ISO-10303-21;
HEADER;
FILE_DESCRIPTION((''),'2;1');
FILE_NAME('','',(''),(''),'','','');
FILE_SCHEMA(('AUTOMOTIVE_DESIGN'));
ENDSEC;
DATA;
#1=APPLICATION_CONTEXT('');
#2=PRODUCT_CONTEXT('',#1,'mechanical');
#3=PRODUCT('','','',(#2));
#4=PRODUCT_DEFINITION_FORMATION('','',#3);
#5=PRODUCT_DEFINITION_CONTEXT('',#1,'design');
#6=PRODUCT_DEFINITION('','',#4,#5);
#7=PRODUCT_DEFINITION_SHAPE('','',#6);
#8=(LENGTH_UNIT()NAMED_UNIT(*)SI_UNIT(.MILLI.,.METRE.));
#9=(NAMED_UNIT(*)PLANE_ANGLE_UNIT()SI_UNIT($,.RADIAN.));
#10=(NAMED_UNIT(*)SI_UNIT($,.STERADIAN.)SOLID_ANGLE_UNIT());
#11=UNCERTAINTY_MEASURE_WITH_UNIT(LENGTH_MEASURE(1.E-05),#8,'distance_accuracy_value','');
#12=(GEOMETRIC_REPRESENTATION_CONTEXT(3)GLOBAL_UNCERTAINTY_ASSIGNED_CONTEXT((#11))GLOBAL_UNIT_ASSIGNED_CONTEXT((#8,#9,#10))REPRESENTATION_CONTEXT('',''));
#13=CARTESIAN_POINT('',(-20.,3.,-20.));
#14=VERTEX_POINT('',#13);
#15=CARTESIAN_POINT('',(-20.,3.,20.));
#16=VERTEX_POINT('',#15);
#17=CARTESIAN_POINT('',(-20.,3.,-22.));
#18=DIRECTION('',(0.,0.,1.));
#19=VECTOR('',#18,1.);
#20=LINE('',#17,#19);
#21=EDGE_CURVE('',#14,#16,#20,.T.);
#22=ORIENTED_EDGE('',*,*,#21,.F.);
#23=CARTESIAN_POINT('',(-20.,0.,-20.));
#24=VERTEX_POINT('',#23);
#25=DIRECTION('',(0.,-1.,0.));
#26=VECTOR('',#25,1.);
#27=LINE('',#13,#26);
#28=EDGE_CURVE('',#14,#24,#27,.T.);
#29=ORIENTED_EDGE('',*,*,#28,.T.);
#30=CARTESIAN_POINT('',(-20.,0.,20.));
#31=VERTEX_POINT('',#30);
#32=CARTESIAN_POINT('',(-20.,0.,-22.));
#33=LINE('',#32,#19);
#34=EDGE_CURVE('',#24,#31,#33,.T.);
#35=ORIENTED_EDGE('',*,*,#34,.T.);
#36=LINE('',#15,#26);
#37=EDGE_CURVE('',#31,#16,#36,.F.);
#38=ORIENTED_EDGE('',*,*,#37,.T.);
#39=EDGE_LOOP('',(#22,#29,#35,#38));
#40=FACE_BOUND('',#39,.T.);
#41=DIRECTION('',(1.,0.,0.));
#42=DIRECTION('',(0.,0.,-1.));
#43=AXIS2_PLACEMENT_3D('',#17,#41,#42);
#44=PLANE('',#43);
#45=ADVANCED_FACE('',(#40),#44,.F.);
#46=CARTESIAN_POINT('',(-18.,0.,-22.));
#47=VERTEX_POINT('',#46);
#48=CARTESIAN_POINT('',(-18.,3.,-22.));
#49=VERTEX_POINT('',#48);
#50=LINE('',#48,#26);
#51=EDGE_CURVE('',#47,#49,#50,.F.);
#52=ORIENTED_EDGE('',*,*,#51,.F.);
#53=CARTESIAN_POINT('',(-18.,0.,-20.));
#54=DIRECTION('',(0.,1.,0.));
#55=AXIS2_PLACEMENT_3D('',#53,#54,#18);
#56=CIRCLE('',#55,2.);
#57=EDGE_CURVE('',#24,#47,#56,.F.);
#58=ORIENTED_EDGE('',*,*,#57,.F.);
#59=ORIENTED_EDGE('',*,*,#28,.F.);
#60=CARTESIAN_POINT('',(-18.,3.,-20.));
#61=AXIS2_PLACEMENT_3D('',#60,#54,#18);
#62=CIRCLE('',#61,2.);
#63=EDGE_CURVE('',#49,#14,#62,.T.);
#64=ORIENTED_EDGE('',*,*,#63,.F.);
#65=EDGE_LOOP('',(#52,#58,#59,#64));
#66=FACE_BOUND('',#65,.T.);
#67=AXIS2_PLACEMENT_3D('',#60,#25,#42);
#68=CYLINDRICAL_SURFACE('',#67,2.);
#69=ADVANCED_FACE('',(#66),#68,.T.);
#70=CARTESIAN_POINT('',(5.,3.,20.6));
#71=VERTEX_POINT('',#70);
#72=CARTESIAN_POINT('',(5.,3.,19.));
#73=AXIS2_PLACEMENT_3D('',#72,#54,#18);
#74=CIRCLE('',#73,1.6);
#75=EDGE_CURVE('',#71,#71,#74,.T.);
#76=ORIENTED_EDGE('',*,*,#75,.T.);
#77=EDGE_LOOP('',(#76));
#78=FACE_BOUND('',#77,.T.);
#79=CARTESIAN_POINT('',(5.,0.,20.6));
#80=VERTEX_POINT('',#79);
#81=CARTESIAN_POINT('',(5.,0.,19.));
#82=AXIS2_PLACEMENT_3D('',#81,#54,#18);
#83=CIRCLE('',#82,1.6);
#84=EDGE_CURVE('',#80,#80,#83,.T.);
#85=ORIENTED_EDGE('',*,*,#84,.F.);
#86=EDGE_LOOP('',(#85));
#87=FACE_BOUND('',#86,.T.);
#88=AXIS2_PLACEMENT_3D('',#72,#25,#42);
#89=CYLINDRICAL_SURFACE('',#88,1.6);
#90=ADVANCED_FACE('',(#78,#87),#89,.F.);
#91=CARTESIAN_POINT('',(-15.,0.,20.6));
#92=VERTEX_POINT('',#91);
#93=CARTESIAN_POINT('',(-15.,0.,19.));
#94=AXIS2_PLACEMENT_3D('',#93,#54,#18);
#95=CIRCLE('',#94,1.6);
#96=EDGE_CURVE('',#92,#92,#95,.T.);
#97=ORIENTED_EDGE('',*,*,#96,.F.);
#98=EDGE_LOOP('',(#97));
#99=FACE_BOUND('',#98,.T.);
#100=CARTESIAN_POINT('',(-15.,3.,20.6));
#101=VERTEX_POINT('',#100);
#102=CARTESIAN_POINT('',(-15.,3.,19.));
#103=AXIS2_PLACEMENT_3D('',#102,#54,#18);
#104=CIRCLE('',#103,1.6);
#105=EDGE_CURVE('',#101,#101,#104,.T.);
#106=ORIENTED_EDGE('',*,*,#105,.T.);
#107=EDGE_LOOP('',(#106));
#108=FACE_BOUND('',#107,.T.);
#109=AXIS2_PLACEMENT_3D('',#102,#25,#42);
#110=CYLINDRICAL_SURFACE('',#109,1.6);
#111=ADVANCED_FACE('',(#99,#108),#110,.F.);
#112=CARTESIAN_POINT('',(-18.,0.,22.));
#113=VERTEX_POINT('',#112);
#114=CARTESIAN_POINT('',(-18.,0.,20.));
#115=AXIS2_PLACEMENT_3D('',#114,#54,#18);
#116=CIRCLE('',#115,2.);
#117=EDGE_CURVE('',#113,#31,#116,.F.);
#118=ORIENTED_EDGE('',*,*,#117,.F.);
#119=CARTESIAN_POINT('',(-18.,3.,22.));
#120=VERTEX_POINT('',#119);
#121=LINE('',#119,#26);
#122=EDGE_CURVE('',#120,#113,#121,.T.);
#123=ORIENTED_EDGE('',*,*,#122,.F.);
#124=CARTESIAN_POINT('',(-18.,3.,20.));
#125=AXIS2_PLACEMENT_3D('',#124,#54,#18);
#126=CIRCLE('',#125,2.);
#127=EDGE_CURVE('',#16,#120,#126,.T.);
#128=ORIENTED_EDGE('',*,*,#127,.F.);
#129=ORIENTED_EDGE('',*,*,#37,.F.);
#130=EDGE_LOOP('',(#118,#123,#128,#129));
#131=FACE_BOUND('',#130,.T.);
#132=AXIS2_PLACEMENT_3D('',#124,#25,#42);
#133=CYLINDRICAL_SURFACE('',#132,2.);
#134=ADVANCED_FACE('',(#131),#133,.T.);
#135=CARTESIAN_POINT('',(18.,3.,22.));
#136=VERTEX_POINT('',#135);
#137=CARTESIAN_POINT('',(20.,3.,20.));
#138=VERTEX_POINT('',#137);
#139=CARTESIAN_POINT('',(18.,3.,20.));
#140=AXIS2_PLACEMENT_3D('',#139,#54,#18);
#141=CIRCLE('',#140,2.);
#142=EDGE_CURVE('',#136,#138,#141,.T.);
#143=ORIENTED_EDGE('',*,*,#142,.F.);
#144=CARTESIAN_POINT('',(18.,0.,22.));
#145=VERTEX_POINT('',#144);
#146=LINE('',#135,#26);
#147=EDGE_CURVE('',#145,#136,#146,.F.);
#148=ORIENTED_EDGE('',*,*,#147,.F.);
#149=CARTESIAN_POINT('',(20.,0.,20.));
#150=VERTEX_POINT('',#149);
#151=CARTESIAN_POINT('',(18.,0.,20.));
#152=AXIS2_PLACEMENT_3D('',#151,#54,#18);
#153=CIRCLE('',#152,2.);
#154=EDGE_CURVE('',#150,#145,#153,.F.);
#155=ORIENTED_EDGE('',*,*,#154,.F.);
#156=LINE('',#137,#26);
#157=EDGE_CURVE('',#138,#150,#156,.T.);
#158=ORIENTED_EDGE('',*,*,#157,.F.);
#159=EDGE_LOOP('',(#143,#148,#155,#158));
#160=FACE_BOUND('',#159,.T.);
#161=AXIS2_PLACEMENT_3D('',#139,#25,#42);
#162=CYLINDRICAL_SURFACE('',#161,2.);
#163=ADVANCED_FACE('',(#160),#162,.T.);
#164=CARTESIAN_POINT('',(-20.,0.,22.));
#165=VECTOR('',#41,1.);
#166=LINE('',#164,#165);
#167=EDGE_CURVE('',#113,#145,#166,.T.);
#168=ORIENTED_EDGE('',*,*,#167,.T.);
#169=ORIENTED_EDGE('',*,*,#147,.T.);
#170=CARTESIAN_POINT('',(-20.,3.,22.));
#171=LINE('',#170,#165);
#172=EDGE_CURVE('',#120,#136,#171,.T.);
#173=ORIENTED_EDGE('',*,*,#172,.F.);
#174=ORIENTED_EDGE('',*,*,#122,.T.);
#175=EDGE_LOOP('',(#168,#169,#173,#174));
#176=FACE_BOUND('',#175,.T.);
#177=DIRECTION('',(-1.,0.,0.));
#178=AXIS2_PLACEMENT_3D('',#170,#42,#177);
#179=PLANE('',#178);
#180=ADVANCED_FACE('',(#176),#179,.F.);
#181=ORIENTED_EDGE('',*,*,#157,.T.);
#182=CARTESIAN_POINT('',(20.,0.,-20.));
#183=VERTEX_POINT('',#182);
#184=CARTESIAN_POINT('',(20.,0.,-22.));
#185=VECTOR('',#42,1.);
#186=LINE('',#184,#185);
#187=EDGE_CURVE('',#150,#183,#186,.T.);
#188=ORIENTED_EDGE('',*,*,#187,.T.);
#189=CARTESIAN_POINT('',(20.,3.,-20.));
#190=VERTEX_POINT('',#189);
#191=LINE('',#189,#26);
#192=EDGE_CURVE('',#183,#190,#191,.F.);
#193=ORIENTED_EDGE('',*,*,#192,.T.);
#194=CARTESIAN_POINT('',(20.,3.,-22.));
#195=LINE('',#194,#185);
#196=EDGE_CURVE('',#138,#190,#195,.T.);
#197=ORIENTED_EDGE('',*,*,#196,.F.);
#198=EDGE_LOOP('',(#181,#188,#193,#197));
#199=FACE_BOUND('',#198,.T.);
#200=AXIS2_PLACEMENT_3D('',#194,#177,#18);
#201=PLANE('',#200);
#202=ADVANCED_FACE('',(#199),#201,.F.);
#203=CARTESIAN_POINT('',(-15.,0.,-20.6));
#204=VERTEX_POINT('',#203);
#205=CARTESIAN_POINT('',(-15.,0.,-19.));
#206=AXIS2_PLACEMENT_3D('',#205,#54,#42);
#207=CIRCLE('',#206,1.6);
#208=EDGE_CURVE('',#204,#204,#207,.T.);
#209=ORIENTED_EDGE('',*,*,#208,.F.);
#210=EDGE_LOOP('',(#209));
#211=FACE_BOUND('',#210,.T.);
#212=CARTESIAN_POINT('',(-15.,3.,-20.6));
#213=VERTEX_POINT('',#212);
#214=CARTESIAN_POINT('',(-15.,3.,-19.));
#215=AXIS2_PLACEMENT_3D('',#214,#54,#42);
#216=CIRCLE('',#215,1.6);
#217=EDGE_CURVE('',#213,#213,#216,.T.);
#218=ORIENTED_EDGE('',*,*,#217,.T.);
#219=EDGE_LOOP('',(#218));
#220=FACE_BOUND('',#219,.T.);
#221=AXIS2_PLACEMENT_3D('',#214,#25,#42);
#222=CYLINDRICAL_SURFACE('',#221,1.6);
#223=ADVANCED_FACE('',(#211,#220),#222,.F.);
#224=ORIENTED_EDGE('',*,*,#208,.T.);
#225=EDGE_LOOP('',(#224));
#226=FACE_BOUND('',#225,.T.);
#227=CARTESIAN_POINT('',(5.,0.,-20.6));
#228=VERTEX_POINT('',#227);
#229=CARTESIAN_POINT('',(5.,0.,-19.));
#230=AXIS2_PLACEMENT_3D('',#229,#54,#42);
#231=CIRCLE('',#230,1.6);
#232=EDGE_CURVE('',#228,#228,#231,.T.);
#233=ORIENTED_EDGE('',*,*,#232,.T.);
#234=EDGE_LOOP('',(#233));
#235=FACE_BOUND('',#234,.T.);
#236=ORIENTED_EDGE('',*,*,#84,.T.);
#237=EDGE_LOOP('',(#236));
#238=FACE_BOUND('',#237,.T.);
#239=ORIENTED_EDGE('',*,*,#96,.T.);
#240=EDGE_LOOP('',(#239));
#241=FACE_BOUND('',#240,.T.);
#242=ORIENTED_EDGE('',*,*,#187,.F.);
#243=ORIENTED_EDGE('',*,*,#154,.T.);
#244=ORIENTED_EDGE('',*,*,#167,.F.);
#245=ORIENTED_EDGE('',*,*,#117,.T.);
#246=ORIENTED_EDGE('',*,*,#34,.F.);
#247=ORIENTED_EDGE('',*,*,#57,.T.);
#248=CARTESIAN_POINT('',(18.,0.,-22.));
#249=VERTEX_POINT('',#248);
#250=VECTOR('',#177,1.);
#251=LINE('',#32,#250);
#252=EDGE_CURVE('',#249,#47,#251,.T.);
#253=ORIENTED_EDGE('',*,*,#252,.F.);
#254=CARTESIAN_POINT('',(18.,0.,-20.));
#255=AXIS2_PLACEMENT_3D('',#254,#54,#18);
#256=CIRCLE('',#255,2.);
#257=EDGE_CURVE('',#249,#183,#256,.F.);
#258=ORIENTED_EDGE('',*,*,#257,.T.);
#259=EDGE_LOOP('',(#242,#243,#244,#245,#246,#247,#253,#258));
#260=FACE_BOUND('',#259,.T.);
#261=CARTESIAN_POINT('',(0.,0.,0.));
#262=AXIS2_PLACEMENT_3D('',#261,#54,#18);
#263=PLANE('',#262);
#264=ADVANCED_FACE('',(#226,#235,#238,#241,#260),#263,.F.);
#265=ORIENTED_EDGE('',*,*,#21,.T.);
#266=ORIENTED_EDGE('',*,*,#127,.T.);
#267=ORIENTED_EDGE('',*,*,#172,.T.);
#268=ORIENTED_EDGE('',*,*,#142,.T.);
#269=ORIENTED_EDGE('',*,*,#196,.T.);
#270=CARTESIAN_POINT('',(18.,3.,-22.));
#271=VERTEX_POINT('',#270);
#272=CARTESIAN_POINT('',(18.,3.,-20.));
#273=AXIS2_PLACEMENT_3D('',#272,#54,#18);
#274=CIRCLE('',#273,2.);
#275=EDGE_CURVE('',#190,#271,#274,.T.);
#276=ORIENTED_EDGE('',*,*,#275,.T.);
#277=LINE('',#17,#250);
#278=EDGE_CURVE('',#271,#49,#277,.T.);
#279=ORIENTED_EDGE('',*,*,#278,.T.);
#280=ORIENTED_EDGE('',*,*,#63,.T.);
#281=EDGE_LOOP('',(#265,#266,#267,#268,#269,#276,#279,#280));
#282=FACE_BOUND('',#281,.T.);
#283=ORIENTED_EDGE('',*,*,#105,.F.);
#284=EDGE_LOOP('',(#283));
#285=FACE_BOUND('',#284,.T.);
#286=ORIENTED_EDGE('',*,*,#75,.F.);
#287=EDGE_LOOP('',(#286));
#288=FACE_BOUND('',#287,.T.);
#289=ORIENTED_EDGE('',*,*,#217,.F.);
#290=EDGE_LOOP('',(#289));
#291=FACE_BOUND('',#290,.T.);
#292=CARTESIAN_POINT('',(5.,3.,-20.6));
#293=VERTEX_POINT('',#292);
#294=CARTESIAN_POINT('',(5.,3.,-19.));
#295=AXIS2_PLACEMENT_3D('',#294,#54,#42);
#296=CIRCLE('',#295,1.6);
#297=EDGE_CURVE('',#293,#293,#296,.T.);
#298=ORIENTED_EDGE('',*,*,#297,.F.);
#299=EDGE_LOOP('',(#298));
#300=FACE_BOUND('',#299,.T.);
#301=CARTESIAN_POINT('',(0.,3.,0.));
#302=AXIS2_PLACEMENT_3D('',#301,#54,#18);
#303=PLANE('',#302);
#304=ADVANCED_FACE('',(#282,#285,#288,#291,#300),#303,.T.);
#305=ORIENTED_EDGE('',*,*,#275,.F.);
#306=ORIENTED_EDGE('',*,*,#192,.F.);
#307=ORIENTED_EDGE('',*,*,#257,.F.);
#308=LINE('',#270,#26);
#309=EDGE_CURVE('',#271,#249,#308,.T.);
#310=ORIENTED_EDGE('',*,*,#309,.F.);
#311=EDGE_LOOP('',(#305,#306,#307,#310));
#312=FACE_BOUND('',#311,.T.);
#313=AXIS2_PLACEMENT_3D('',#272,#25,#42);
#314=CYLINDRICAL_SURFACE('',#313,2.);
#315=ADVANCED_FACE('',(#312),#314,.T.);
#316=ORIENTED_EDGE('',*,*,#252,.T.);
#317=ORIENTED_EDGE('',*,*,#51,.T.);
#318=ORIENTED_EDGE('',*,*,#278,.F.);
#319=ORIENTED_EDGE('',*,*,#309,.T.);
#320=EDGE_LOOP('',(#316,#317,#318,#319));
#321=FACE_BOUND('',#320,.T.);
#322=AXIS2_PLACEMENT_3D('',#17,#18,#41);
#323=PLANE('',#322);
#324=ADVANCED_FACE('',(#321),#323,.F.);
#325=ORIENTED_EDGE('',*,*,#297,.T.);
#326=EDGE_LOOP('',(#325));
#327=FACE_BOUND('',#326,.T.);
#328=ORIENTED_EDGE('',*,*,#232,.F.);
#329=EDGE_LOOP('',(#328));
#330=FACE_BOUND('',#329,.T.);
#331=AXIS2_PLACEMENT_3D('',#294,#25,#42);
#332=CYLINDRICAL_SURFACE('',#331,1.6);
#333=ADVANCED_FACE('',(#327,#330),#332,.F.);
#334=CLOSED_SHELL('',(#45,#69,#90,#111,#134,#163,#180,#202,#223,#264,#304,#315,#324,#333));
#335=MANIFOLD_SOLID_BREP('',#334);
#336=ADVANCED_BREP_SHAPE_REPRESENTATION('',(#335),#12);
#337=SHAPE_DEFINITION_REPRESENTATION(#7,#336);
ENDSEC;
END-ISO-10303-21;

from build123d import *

# Parameters (mm, degrees)
SKETCH_1_W      = 40
SKETCH_1_H      = 44
SKETCH_1_R      = 1.6
EXTRUDE_1_DEPTH = 3
FILLET_1_R      = 2


with BuildPart() as part:
    # 草图1 → 凸台-拉伸1 (new body)
    with BuildSketch(Plane(origin=(0, 0, 0), x_dir=(1, 0, 0), z_dir=(0, 1, 0))):
        Rectangle(SKETCH_1_W, SKETCH_1_H)
        with Locations(Location((-15, -19, 0), (0, 0, 270))):
            Circle(SKETCH_1_R, mode=Mode.SUBTRACT)
        with Locations(Location((5, -19, 0), (0, 0, 270))):
            Circle(SKETCH_1_R, mode=Mode.SUBTRACT)
        with Locations(Location((5, 19, 0), (0, 0, 90))):
            Circle(SKETCH_1_R, mode=Mode.SUBTRACT)
        with Locations(Location((-15, 19, 0), (0, 0, 90))):
            Circle(SKETCH_1_R, mode=Mode.SUBTRACT)
    extrude(amount=EXTRUDE_1_DEPTH)

    # 圆角1
    fillet_1_edges = [part.edges().sort_by_distance(p)[0] for p in [
        (20, 1.5, 22),
        (-20, 1.5, 22),
        (-20, 1.5, -22),
        (20, 1.5, -22),
    ]]
    fillet(fillet_1_edges, radius=FILLET_1_R)


solid = part.part
